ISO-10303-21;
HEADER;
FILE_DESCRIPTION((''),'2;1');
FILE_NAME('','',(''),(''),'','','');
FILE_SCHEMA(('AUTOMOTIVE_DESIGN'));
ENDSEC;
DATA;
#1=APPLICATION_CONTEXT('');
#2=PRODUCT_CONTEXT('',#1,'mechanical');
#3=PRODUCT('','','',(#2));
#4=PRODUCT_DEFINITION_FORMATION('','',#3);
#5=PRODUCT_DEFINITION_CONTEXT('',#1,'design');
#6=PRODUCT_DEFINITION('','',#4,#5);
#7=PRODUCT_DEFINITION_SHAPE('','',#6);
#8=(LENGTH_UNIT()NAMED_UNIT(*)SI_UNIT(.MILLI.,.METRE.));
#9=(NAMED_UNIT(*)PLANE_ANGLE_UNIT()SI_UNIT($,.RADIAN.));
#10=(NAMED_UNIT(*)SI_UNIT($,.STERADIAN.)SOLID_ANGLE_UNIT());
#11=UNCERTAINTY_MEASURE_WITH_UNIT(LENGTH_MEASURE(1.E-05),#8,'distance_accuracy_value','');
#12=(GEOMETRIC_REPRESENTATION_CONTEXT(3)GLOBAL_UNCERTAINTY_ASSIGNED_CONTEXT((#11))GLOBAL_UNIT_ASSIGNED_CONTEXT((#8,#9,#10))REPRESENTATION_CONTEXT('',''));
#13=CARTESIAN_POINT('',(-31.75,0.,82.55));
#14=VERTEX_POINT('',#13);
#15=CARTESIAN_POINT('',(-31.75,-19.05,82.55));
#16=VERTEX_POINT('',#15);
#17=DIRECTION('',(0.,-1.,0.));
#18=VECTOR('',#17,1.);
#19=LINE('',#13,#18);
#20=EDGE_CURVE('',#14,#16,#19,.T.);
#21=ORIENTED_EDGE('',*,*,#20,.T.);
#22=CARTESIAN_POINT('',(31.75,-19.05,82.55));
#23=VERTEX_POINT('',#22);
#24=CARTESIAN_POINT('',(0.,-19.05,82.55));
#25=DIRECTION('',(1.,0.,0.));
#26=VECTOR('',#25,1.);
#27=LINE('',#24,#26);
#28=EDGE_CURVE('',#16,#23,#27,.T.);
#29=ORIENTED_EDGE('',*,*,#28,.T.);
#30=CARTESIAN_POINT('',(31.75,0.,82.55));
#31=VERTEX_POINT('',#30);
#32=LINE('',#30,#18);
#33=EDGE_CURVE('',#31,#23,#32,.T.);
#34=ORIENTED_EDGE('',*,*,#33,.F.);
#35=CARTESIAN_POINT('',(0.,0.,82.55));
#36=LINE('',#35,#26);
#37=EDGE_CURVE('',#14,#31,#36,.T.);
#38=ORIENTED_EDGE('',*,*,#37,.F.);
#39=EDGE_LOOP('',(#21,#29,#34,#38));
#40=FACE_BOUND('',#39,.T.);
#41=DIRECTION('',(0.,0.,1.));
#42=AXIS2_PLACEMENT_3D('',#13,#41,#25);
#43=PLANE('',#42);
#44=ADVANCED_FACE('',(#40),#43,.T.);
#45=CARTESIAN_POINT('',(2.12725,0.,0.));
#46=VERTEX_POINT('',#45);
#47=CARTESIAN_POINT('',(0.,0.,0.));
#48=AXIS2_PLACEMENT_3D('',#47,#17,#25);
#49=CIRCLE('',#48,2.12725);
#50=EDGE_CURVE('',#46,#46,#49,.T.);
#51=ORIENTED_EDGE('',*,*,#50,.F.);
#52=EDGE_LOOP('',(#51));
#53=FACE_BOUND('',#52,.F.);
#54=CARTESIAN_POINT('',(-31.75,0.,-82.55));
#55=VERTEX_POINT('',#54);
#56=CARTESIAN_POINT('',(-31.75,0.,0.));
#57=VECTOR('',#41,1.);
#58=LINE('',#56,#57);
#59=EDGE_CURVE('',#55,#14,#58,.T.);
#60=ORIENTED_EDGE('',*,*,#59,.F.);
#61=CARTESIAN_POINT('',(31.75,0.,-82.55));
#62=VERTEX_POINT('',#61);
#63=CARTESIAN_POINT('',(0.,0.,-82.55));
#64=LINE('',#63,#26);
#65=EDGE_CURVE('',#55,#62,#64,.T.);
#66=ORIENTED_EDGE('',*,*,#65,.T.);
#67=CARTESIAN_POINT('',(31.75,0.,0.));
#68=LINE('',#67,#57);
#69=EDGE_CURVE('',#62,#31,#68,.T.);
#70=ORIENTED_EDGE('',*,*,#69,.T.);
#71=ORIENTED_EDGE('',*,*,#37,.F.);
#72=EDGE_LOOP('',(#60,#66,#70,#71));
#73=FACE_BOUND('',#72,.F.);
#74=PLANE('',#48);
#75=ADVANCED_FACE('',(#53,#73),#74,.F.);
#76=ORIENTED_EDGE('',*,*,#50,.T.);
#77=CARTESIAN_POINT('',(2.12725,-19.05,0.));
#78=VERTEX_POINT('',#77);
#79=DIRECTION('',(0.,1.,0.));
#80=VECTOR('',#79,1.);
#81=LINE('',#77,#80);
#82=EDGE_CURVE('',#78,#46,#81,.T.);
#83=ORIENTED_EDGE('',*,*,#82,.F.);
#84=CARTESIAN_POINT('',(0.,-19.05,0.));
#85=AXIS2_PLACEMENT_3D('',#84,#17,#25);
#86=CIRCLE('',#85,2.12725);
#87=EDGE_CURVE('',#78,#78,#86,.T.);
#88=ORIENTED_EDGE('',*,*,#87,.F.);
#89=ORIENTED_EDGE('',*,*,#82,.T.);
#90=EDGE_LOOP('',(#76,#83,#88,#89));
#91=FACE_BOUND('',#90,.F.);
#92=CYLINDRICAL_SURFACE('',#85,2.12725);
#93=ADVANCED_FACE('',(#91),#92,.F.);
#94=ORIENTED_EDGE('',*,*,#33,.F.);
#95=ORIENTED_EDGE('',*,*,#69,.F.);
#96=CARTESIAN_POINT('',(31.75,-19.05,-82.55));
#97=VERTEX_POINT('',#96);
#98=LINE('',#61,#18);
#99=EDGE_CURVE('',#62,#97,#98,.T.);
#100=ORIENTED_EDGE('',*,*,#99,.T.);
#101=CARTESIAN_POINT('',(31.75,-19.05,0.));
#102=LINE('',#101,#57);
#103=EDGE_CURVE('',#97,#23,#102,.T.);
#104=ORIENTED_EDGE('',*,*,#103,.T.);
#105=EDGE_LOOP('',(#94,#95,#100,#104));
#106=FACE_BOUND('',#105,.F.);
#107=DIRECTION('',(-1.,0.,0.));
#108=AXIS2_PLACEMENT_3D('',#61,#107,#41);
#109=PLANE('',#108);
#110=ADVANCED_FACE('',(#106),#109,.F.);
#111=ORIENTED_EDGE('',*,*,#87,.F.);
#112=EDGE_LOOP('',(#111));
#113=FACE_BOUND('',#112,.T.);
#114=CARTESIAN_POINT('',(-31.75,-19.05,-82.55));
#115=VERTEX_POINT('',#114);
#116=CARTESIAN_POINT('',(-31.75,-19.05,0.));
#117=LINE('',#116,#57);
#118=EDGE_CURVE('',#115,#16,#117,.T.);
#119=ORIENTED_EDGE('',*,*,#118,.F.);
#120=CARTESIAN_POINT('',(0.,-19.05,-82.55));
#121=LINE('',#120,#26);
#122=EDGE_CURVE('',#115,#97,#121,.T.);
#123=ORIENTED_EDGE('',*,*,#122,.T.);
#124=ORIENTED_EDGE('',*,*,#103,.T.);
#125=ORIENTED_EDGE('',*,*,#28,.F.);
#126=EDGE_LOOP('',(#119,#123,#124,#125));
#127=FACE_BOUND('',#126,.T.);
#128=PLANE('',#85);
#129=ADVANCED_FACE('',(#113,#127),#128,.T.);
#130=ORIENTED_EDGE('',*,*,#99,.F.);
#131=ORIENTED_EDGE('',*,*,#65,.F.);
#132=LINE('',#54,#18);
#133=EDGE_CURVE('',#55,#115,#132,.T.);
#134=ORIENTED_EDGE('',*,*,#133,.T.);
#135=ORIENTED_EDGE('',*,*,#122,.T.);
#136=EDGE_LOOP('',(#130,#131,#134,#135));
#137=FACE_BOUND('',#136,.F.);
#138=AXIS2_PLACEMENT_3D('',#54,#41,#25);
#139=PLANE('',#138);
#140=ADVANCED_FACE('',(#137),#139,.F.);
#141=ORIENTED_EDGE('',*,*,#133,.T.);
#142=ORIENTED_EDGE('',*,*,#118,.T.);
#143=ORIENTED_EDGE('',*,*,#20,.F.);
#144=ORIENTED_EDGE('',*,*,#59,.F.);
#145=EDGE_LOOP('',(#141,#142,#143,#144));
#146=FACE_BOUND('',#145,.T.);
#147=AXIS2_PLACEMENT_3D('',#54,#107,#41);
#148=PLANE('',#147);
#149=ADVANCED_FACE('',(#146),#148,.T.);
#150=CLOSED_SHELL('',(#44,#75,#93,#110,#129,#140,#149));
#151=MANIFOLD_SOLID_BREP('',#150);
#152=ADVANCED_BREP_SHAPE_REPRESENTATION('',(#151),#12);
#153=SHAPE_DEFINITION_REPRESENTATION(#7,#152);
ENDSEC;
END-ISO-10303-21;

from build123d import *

# Parameters (mm, degrees)
F0_W     = 63.5
F0_H     = 165.1
F1_DEPTH = 19.05
F2_R     = 2.12725
F3_DEPTH = 19.051


with BuildPart() as f1:
    # F0 (on Front) → F1 (new body)
    with BuildSketch(Plane.XZ):
        Rectangle(F0_W, F0_H)
    extrude(amount=F1_DEPTH)

    # F2 (on face) → F3 (cut, through all)
    with BuildSketch(Plane.XZ.offset(19.05)):
        Circle(F2_R)
    extrude(amount=-F3_DEPTH, mode=Mode.SUBTRACT)


solid = f1.part
